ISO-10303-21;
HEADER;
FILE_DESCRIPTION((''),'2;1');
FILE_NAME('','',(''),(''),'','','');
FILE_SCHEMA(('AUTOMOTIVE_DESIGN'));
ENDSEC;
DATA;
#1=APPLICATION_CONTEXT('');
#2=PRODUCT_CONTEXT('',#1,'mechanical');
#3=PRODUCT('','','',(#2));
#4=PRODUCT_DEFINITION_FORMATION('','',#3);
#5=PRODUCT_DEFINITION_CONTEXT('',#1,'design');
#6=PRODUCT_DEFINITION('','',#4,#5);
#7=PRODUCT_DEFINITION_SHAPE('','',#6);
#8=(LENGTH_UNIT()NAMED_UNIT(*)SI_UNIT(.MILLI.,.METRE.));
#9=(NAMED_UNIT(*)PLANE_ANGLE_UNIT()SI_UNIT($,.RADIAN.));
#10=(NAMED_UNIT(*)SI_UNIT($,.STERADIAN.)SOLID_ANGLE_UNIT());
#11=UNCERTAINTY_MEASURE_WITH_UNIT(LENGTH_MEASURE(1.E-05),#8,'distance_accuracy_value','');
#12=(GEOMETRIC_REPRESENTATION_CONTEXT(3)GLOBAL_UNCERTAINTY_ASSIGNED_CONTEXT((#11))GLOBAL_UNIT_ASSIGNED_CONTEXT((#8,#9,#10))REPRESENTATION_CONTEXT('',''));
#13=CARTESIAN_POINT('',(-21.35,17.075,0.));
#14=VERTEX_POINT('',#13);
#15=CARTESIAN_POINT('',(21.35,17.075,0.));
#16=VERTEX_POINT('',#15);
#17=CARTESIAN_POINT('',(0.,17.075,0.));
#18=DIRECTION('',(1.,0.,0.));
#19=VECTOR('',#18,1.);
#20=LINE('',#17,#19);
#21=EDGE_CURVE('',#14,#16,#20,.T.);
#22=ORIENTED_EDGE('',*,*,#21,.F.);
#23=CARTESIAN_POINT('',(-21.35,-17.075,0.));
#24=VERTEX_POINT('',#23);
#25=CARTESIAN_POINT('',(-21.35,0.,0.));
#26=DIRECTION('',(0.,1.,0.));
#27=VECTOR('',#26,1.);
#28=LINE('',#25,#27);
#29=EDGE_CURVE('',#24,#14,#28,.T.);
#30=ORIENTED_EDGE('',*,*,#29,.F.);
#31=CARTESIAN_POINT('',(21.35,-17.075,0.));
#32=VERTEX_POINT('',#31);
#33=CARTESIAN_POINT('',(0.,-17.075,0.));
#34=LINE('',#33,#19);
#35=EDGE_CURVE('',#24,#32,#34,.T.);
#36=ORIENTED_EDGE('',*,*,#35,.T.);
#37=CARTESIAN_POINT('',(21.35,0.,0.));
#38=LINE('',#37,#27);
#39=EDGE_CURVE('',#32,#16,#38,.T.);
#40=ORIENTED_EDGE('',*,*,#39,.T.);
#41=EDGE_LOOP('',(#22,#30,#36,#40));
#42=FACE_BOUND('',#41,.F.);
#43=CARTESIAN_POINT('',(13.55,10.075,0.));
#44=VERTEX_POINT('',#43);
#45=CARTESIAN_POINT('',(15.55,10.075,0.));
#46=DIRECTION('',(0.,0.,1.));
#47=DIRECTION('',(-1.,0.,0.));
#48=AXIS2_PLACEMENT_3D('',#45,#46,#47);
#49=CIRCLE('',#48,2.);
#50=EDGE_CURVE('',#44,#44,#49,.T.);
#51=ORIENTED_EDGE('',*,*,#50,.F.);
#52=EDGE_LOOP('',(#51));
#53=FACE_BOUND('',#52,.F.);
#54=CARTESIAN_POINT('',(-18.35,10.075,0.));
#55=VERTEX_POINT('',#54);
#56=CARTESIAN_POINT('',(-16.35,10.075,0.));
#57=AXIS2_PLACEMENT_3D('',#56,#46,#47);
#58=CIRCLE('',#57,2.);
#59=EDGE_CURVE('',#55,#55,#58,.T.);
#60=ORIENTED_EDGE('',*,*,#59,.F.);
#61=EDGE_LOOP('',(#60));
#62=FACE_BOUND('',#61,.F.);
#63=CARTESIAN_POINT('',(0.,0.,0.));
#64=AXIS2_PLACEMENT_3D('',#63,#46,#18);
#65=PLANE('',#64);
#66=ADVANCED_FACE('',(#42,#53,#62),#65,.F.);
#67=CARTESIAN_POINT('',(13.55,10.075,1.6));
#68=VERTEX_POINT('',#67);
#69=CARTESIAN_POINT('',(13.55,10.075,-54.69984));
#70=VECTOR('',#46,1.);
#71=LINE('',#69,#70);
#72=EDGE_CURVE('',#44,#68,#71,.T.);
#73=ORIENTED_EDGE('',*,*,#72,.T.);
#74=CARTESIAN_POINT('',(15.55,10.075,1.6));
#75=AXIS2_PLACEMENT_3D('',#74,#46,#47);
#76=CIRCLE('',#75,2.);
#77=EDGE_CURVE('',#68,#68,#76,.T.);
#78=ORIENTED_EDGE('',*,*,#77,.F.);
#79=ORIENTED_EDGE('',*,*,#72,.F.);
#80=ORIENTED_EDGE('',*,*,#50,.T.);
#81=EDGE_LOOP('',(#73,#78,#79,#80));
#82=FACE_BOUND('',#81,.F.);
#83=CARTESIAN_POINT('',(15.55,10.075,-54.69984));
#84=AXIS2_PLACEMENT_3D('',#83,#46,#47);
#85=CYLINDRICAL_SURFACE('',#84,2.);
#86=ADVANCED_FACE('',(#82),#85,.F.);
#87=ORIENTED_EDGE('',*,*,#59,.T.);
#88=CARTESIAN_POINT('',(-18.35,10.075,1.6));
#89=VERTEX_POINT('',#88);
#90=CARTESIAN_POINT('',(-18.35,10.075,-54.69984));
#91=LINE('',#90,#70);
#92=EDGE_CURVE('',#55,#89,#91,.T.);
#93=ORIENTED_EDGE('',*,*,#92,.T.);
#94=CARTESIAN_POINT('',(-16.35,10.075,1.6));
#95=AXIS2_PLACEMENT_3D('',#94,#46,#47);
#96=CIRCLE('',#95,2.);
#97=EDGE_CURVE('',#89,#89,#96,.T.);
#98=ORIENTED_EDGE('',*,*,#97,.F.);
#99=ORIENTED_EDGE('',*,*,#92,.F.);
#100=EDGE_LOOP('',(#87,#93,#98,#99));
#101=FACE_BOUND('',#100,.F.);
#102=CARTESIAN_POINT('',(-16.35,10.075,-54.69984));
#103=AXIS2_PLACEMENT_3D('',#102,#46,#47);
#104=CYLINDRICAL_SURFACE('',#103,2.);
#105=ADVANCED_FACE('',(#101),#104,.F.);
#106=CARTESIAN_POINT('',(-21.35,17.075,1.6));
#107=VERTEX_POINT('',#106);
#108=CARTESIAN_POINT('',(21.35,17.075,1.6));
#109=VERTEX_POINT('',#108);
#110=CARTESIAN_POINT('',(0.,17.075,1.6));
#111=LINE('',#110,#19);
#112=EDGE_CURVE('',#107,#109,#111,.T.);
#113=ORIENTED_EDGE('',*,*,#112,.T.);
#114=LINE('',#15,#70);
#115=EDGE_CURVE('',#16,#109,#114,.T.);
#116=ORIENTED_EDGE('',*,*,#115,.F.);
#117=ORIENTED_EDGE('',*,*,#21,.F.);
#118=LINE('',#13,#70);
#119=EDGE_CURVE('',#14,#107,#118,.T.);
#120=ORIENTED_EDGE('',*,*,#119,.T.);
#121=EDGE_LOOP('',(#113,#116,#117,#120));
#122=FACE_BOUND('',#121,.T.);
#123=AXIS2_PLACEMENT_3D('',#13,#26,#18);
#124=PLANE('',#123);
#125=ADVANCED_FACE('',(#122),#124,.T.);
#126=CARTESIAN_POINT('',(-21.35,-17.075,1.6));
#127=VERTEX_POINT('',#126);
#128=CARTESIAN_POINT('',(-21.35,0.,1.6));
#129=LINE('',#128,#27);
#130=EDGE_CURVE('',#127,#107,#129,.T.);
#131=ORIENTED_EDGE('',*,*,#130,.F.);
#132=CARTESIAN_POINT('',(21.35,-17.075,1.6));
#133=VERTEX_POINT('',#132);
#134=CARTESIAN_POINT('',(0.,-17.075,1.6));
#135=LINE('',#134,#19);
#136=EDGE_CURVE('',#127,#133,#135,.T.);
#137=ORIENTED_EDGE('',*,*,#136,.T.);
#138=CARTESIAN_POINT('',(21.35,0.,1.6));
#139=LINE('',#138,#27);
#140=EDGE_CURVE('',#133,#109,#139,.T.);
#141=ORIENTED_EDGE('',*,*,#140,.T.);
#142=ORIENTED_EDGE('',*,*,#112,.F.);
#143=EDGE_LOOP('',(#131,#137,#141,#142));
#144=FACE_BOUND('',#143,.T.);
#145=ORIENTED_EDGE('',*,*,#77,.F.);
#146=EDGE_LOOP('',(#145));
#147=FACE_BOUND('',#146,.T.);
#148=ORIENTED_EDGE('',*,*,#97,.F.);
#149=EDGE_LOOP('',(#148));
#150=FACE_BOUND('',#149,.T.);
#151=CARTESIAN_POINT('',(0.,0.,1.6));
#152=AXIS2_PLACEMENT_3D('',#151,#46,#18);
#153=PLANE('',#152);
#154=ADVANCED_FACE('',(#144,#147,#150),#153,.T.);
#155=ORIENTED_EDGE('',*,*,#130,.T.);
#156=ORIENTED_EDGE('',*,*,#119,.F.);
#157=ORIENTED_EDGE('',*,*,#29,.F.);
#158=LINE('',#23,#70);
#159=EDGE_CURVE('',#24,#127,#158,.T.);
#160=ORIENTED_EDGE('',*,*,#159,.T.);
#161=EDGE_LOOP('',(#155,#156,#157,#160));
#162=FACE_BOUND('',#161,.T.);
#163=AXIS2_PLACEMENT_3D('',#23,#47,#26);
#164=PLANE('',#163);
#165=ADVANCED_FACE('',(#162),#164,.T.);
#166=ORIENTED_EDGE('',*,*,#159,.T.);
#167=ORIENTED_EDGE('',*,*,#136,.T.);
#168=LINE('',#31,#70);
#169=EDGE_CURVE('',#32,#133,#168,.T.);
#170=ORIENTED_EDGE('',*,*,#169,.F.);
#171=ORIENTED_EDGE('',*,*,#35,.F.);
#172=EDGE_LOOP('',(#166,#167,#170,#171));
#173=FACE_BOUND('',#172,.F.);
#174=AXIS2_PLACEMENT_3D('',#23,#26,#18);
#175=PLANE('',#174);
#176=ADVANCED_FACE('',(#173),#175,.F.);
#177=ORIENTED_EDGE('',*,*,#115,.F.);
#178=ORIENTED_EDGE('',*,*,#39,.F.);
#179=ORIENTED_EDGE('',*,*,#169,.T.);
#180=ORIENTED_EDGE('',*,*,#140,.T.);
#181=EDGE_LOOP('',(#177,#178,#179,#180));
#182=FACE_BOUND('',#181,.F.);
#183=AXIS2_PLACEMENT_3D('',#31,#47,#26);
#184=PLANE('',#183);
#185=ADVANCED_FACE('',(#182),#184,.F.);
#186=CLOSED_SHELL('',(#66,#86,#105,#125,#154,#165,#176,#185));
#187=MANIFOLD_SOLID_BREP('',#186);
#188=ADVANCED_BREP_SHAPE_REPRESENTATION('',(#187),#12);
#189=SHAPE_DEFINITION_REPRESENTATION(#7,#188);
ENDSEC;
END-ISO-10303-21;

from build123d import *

# Parameters (mm, degrees)
F2_W     = 42.7
F2_H     = 34.15
F3_DEPTH = 1.6
F4_D     = 4


with BuildPart() as f3:
    # F2 (on Top) → F3 (new body)
    with BuildSketch(Plane.XY):
        Rectangle(F2_W, F2_H)
    extrude(amount=F3_DEPTH)

    # F4 (through all)
    with Locations(Plane(origin=(0, 0, 0), x_dir=(1, 0, 0), z_dir=(0, 0, -1))):
        with Locations((-16.35, -10.075), (15.55, -10.075)):
            Hole(F4_D / 2)


solid = f3.part
